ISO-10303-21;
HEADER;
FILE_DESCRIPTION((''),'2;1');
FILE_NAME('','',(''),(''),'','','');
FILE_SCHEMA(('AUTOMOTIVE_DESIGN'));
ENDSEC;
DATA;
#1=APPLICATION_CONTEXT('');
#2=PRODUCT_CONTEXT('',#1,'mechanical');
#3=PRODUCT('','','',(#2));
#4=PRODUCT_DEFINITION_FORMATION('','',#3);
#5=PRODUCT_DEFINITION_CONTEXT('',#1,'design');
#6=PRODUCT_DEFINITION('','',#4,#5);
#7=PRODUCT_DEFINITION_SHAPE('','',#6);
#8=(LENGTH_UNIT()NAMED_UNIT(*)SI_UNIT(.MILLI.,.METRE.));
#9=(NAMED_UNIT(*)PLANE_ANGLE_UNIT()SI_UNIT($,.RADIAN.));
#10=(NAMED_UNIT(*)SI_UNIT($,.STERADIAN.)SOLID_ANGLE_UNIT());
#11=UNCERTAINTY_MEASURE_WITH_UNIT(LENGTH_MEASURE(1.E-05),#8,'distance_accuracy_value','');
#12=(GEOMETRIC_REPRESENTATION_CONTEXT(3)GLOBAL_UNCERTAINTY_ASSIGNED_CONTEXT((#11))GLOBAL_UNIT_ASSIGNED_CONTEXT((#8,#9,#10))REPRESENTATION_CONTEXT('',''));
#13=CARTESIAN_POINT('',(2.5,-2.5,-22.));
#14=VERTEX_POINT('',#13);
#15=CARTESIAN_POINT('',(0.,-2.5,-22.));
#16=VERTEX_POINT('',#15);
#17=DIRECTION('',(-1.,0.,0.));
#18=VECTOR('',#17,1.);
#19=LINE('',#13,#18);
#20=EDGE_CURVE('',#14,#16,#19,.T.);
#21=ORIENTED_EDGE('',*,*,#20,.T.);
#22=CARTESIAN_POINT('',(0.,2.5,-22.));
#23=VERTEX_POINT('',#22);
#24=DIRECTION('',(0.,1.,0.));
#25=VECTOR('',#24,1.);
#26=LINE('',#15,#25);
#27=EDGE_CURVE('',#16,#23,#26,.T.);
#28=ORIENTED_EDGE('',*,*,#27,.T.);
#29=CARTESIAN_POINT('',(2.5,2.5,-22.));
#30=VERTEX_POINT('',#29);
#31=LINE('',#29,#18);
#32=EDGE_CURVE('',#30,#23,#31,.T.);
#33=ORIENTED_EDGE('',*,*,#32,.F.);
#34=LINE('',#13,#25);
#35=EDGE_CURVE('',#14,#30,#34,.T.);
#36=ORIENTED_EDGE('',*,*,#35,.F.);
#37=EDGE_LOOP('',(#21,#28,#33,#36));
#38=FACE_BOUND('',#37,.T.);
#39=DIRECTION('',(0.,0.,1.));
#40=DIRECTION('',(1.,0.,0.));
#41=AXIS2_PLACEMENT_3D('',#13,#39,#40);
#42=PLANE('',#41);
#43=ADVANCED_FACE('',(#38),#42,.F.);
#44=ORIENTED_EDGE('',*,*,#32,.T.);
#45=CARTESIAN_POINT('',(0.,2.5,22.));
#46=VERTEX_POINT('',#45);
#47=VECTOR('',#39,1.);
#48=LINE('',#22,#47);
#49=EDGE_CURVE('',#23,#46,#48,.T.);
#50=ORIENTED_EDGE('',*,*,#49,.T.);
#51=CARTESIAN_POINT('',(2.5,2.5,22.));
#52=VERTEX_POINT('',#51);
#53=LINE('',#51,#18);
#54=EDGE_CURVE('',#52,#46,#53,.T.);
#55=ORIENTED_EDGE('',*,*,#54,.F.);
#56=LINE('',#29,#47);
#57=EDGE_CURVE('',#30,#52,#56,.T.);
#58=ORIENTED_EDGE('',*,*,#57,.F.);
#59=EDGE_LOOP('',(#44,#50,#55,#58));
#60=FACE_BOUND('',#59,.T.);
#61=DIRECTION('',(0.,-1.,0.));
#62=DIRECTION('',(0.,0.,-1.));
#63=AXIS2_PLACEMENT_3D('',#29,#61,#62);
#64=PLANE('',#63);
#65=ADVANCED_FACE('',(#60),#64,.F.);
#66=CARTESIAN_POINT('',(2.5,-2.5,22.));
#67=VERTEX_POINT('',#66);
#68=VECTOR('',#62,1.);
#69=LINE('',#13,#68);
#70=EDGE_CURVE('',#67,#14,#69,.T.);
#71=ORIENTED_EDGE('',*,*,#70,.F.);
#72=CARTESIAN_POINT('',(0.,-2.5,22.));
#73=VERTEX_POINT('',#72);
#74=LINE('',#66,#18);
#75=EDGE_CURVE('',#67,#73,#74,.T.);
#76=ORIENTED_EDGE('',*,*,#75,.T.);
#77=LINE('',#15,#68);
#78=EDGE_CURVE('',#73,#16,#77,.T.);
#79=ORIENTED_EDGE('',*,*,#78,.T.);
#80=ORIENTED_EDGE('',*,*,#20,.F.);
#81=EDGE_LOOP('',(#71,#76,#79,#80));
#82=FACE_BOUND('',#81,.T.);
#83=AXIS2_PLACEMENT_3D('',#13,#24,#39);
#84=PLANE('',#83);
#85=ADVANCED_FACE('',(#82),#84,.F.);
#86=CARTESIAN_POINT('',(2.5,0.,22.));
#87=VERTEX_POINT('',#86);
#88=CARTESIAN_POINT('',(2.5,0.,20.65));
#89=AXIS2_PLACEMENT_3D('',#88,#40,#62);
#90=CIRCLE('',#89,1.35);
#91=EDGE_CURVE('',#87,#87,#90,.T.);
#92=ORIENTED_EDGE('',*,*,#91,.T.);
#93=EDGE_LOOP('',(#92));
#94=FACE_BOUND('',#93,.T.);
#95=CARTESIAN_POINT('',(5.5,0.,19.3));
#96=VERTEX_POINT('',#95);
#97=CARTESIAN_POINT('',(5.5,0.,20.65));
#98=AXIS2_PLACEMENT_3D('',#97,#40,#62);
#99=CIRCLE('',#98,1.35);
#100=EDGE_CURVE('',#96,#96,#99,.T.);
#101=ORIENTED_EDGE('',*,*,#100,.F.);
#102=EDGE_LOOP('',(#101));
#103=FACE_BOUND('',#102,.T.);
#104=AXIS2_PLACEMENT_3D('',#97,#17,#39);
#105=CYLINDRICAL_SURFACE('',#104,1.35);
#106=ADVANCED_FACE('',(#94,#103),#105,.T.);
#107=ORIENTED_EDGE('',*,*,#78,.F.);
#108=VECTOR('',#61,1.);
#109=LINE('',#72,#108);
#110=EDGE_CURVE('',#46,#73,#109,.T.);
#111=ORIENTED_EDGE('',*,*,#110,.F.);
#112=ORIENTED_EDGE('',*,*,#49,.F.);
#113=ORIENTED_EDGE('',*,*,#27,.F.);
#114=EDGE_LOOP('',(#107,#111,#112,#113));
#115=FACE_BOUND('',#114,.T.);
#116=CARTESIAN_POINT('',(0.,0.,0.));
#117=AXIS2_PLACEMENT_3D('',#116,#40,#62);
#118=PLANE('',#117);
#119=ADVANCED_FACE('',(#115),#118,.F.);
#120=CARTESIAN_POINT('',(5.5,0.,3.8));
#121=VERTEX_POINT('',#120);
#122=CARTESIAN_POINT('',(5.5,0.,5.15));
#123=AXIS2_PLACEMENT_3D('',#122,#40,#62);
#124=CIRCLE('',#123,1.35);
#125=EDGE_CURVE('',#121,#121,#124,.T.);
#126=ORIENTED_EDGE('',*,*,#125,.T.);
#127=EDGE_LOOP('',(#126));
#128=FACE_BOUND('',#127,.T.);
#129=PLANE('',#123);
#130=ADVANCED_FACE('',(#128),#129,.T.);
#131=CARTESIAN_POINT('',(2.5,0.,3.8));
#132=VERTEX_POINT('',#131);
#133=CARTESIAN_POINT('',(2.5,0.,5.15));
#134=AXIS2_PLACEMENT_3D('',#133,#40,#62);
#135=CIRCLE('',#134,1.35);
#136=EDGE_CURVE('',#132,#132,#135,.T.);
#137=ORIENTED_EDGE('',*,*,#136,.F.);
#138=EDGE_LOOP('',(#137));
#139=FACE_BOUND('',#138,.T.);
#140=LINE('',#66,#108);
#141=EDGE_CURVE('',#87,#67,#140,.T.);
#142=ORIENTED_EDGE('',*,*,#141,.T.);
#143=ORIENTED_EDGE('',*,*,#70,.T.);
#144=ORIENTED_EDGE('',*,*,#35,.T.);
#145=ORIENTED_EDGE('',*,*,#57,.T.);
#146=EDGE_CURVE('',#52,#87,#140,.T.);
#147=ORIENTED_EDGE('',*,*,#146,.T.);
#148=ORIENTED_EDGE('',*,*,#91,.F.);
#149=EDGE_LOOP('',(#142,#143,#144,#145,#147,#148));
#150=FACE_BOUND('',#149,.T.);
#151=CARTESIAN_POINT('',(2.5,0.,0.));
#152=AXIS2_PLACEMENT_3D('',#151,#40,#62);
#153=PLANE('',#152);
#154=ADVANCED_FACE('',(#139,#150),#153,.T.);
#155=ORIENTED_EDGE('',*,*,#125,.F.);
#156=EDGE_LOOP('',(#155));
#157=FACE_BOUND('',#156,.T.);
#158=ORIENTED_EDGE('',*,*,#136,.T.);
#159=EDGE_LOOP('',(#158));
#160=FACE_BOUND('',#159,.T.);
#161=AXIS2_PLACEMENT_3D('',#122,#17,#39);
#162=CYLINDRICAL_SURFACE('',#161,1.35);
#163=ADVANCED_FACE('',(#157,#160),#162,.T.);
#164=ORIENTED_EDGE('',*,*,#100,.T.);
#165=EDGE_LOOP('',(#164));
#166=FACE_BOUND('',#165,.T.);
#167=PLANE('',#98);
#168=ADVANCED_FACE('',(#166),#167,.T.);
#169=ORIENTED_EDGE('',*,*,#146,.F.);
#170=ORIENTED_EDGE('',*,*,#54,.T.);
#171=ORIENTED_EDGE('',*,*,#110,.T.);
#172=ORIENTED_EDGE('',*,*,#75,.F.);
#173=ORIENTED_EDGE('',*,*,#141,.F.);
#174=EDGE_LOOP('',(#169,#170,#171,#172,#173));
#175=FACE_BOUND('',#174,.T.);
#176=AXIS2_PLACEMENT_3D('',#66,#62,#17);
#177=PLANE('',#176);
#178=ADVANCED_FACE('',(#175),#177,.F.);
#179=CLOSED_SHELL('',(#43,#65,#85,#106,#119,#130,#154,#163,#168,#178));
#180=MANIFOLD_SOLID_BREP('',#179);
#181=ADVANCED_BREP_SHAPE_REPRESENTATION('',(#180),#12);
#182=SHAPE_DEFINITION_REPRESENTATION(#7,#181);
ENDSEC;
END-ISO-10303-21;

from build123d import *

# Parameters (mm, degrees)
SKETCH1_W           = 44
SKETCH1_H           = 5
BOSS_EXTRUDE1_DEPTH = 2.5
SKETCH2_R           = 1.35
BOSS_EXTRUDE2_DEPTH = 3


with BuildPart() as part:
    # Sketch1 → Boss-Extrude1 (new body)
    with BuildSketch(Plane(origin=(0, 0, 0), x_dir=(0, 0, -1), z_dir=(1, 0, 0))):
        Rectangle(SKETCH1_W, SKETCH1_H)
    extrude(amount=BOSS_EXTRUDE1_DEPTH)

    # Sketch2 → Boss-Extrude2 (add)
    with BuildSketch(Plane(origin=(2.5, 0, 0), x_dir=(0, 0, -1), z_dir=(1, 0, 0))):
        with Locations(Location((-20.65, 0, 0), (0, 0, 180))):
            Circle(SKETCH2_R)
        with Locations((-5.15, 0)):
            Circle(SKETCH2_R)
    extrude(amount=BOSS_EXTRUDE2_DEPTH)


solid = part.part
